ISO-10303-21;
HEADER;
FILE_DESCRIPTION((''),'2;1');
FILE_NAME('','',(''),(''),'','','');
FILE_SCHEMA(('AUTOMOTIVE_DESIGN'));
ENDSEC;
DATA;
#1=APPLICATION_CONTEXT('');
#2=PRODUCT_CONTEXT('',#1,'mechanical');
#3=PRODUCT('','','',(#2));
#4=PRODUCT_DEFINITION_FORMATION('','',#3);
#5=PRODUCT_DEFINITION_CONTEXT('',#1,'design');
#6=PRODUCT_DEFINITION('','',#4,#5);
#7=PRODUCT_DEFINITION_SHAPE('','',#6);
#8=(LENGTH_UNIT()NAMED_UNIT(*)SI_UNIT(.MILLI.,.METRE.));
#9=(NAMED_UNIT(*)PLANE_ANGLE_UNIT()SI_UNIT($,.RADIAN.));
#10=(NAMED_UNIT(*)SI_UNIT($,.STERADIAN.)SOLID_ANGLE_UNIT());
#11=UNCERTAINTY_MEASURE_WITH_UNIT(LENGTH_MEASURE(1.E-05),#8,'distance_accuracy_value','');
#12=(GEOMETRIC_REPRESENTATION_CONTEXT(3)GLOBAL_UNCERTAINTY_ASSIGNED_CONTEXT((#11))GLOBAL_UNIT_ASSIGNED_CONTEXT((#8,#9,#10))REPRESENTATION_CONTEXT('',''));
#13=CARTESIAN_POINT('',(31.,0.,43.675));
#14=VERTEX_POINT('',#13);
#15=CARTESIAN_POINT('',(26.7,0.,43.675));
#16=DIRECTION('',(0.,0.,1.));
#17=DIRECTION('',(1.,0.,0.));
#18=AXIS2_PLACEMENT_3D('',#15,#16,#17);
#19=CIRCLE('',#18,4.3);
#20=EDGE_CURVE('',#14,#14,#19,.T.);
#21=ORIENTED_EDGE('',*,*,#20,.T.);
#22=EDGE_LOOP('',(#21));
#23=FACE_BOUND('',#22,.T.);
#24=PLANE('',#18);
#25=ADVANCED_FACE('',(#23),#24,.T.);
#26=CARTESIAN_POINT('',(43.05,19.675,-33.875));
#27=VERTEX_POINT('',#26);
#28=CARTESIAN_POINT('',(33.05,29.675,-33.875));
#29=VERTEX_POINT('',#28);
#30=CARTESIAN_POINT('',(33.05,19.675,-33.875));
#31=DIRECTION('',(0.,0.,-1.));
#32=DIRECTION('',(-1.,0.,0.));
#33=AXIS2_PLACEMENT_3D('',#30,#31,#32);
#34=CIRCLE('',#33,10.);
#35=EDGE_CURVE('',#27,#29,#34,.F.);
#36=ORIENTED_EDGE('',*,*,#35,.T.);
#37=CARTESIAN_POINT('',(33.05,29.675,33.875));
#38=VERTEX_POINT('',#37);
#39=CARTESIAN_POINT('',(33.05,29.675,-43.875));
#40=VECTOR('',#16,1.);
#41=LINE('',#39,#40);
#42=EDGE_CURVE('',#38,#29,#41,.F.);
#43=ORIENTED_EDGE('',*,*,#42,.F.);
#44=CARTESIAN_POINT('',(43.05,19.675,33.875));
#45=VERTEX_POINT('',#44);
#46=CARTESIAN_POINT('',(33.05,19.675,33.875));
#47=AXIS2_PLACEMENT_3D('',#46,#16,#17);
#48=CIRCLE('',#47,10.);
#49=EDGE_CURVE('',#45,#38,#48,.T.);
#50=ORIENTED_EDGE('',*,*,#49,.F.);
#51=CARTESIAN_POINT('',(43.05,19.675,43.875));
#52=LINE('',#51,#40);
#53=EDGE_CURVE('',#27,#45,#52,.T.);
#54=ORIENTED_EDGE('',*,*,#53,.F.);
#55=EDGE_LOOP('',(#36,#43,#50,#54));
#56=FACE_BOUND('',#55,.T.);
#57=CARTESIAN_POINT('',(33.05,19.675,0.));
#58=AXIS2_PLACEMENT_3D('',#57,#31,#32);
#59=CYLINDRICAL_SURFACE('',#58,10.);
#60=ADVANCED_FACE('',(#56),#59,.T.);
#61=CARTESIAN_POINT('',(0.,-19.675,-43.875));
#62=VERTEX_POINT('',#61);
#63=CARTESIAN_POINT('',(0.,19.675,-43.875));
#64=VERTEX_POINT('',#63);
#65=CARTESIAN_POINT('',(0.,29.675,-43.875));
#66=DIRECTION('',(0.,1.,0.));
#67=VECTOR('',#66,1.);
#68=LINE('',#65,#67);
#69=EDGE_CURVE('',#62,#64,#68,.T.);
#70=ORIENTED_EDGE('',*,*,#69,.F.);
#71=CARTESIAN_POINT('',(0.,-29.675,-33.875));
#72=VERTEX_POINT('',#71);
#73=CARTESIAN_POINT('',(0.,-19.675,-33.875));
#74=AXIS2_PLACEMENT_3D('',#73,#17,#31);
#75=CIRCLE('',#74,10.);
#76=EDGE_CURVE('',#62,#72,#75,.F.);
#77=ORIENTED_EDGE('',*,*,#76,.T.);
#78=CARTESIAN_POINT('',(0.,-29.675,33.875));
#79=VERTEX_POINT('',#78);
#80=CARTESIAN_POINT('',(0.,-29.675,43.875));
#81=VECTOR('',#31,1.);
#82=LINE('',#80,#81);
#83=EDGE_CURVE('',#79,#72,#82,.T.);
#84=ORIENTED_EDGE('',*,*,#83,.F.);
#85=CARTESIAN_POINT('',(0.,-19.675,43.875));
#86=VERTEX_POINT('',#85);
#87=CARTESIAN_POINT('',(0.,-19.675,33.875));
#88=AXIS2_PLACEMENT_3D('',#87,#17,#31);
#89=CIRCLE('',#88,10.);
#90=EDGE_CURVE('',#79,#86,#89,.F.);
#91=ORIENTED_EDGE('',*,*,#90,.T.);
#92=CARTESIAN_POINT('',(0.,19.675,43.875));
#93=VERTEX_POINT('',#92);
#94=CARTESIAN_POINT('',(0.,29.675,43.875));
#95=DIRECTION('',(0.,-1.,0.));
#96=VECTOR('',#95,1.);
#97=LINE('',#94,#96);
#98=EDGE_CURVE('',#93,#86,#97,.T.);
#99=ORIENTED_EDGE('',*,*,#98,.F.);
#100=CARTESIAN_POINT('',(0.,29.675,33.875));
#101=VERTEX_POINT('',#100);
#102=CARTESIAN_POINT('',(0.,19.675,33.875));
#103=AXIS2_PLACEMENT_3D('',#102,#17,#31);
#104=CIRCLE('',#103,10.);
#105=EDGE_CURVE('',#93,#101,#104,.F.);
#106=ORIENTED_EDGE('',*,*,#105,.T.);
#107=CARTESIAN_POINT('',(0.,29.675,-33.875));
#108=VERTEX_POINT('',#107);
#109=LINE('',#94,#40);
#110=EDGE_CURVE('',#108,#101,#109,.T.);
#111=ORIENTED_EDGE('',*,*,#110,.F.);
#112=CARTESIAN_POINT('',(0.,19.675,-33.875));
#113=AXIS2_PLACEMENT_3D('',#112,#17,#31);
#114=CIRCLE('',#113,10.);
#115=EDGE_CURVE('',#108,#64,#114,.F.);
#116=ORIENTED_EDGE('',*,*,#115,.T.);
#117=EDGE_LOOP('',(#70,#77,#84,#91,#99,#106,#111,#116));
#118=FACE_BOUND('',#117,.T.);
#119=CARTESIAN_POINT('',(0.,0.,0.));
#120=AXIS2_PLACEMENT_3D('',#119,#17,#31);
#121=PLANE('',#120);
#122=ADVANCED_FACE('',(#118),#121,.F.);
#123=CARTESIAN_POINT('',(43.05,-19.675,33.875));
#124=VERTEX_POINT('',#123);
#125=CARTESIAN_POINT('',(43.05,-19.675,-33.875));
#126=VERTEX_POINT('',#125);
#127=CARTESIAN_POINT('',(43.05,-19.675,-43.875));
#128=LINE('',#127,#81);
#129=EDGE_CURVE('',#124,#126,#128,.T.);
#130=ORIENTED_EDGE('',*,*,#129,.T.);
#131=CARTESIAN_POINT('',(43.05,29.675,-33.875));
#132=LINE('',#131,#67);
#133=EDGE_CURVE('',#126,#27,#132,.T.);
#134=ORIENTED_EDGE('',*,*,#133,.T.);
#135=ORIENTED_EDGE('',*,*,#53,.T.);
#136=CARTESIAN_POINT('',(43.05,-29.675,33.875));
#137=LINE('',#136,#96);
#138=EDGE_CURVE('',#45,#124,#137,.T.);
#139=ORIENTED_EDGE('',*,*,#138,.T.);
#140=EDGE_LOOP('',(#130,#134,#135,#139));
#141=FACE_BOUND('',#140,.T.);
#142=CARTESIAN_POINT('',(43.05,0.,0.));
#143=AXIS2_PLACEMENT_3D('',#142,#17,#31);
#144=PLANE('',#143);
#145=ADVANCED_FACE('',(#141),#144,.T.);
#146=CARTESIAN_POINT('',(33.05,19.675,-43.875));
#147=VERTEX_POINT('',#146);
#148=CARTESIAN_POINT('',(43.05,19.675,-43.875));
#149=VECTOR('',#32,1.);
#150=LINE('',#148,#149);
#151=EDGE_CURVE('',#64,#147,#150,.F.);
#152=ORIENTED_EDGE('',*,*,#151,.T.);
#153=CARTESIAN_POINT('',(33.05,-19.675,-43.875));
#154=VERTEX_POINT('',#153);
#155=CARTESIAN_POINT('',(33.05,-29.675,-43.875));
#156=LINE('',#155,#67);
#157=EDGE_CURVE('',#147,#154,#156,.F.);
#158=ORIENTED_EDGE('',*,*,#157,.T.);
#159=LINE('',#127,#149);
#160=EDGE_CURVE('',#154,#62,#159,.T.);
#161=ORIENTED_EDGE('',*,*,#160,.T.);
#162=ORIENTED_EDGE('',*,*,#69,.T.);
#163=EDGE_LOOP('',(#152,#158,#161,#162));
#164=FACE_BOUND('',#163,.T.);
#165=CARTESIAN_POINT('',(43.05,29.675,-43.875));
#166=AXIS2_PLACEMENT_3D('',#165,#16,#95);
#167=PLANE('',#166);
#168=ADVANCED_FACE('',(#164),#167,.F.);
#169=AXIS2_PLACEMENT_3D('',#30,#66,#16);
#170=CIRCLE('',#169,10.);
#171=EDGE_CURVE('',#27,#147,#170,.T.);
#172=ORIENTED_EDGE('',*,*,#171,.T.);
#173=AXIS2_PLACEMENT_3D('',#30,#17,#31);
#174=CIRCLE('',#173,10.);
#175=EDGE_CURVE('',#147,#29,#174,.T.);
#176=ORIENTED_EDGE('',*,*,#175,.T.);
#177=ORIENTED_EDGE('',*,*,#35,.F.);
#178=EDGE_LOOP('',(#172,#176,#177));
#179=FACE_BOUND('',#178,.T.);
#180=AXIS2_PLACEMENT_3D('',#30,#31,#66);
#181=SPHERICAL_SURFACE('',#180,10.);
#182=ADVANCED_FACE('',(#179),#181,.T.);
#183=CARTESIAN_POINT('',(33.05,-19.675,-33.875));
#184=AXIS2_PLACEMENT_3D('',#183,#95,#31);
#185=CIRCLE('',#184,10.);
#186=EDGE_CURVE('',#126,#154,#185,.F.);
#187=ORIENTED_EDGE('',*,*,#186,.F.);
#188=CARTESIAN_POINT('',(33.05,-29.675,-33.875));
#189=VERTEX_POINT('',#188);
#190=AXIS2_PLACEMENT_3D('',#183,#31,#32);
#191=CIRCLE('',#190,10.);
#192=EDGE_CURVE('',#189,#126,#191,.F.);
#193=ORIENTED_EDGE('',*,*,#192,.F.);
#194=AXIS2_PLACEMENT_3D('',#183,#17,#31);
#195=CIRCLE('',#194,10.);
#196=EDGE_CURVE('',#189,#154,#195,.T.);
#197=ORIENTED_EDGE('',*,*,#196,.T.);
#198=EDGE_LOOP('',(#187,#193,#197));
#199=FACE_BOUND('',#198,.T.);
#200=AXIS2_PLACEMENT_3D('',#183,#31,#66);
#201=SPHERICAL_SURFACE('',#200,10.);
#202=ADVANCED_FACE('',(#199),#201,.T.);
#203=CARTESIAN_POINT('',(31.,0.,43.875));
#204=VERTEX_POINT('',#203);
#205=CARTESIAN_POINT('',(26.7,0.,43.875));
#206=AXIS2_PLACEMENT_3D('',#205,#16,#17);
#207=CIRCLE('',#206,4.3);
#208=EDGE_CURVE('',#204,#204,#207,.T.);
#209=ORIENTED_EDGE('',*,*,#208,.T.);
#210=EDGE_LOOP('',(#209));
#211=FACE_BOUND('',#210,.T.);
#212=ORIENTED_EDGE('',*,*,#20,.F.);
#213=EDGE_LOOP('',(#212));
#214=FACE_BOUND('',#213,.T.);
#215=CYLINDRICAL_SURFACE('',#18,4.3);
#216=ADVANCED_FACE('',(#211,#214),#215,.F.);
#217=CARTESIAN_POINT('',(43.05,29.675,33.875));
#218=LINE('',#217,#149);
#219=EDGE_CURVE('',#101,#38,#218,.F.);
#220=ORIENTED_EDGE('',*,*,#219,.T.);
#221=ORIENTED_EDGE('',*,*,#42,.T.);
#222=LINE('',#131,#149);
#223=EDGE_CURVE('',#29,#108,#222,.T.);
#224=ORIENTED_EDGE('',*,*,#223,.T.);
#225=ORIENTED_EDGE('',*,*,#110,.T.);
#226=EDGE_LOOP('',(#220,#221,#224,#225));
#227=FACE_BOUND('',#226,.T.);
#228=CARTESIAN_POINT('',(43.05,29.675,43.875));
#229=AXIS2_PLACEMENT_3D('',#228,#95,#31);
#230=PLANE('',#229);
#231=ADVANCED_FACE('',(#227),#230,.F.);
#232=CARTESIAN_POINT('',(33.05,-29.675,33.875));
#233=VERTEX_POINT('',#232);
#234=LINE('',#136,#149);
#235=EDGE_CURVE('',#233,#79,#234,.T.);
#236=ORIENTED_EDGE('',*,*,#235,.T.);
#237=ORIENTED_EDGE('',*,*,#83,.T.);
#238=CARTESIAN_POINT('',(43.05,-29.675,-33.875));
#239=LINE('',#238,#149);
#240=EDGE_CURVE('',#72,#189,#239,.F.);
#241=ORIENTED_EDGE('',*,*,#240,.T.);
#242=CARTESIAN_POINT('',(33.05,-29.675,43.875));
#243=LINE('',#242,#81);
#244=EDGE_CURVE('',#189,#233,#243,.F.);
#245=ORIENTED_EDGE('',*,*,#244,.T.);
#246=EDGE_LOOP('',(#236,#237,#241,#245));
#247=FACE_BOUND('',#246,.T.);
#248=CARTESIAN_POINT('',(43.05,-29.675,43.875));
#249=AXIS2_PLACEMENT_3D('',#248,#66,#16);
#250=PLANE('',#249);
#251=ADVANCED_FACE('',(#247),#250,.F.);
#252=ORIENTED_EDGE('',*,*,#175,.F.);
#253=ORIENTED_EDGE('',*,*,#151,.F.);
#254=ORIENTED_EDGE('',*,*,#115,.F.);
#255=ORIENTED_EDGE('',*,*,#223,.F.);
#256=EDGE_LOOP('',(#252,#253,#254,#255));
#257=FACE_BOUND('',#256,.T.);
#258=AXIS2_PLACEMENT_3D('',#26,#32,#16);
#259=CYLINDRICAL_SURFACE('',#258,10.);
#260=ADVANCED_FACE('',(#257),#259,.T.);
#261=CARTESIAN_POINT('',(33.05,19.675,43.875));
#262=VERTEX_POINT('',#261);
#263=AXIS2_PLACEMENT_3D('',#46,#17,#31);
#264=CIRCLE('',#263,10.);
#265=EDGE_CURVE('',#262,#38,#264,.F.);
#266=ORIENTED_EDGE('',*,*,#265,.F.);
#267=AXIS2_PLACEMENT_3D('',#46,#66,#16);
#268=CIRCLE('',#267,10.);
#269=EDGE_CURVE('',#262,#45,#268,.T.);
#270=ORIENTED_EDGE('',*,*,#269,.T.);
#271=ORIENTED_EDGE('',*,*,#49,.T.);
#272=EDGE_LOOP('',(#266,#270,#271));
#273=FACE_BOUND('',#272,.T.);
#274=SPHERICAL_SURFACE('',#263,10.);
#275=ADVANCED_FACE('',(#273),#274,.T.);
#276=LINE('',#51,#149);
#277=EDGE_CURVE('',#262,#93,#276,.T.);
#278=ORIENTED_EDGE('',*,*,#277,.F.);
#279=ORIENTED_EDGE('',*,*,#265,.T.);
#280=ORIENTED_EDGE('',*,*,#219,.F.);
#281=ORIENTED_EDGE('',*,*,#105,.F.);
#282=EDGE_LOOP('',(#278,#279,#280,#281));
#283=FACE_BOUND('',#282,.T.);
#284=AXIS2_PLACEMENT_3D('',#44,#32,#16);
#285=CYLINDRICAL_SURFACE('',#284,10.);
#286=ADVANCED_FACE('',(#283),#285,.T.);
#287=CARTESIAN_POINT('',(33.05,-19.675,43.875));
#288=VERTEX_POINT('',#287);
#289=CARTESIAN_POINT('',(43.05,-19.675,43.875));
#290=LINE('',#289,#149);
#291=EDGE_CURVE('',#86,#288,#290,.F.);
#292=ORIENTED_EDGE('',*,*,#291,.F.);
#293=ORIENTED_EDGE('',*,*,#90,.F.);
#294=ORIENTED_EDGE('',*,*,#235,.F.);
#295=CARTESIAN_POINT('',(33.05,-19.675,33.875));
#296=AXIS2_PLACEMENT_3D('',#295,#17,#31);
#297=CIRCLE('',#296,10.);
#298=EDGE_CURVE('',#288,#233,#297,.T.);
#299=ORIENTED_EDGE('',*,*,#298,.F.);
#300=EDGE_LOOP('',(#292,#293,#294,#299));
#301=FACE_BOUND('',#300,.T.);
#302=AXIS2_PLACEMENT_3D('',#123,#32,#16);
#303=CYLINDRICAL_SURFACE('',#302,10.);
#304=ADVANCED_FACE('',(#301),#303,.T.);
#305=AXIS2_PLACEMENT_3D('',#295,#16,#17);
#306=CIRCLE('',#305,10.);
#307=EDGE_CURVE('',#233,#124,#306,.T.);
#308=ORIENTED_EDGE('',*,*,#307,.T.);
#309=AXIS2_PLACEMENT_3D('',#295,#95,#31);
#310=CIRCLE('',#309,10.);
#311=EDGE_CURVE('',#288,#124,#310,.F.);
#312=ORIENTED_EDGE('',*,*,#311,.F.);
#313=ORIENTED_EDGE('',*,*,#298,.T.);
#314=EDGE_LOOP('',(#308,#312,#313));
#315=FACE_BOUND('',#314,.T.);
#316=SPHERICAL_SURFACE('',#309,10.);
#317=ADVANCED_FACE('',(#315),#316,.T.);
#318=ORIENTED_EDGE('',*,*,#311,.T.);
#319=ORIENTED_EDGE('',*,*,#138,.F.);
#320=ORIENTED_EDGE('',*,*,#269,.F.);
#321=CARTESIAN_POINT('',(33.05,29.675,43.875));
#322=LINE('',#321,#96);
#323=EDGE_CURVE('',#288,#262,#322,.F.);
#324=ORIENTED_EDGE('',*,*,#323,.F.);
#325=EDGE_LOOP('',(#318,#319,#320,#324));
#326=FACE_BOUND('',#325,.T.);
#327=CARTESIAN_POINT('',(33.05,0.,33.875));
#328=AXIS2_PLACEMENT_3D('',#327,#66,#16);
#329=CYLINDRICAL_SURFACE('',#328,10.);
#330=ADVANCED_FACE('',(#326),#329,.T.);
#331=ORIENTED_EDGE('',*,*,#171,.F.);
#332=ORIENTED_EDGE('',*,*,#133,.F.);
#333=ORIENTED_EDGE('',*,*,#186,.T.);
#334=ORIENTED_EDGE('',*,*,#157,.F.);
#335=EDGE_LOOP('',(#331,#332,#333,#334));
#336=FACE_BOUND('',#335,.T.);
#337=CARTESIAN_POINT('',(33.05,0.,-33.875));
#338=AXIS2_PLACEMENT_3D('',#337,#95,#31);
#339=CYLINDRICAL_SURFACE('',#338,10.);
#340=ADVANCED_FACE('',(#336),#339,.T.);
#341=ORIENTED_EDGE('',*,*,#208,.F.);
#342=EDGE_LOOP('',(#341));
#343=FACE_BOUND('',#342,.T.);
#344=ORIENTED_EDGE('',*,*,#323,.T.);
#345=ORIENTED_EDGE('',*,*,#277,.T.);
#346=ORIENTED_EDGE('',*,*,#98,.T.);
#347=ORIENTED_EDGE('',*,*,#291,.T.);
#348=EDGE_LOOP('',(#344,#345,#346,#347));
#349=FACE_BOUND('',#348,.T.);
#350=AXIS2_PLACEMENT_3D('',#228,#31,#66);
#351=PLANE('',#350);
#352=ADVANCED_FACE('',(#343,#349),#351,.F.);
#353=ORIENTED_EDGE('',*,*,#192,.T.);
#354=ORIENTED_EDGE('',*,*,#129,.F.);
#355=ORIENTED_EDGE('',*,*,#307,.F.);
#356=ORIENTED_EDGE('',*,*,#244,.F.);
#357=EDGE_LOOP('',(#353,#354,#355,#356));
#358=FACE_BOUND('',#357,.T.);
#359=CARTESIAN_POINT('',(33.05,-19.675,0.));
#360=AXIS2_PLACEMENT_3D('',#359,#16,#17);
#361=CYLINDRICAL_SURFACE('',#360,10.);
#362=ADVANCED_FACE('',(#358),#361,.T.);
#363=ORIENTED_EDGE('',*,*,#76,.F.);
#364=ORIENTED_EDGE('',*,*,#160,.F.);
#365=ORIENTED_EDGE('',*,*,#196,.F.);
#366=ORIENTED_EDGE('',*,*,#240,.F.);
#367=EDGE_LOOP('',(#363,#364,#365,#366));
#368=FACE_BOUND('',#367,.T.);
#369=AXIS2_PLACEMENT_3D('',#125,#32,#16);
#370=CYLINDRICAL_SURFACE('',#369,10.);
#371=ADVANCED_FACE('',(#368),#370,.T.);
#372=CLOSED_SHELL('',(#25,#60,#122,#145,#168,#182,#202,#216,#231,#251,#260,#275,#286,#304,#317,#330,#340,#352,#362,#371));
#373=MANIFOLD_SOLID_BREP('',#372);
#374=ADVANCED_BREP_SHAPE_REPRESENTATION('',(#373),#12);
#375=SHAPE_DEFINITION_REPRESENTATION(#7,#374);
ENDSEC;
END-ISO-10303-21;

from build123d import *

# Parameters (mm, degrees)
SKETCH1_W           = 87.75
SKETCH1_H           = 59.35
BOSS_EXTRUDE1_DEPTH = 43.05
FILLET1_R           = 10
SKETCH2_R           = 4.3
CUT_EXTRUDE1_DEPTH  = 0.2


with BuildPart() as part:
    # Sketch1 → Boss-Extrude1 (new body)
    with BuildSketch(Plane(origin=(0, 0, 0), x_dir=(0, 0, -1), z_dir=(1, 0, 0))):
        Rectangle(SKETCH1_W, SKETCH1_H)
    extrude(amount=BOSS_EXTRUDE1_DEPTH)

    # Fillet1
    fillet1_edges = [part.edges().sort_by_distance(p)[0] for p in [
        (43.05, 0, 43.875),
        (43.05, -29.675, 0),
        (43.05, 0, -43.875),
        (21.525, -29.675, -43.875),
        (21.525, -29.675, 43.875),
        (21.525, 29.675, 43.875),
        (21.525, 29.675, -43.875),
        (43.05, 29.675, 0),
    ]]
    fillet(fillet1_edges, radius=FILLET1_R)

    # Sketch2 → Cut-Extrude1 (cut)
    with BuildSketch(Plane.XY.offset(43.875)):
        with Locations((26.7, 0)):
            Circle(SKETCH2_R)
    extrude(amount=-CUT_EXTRUDE1_DEPTH, mode=Mode.SUBTRACT)


solid = part.part
